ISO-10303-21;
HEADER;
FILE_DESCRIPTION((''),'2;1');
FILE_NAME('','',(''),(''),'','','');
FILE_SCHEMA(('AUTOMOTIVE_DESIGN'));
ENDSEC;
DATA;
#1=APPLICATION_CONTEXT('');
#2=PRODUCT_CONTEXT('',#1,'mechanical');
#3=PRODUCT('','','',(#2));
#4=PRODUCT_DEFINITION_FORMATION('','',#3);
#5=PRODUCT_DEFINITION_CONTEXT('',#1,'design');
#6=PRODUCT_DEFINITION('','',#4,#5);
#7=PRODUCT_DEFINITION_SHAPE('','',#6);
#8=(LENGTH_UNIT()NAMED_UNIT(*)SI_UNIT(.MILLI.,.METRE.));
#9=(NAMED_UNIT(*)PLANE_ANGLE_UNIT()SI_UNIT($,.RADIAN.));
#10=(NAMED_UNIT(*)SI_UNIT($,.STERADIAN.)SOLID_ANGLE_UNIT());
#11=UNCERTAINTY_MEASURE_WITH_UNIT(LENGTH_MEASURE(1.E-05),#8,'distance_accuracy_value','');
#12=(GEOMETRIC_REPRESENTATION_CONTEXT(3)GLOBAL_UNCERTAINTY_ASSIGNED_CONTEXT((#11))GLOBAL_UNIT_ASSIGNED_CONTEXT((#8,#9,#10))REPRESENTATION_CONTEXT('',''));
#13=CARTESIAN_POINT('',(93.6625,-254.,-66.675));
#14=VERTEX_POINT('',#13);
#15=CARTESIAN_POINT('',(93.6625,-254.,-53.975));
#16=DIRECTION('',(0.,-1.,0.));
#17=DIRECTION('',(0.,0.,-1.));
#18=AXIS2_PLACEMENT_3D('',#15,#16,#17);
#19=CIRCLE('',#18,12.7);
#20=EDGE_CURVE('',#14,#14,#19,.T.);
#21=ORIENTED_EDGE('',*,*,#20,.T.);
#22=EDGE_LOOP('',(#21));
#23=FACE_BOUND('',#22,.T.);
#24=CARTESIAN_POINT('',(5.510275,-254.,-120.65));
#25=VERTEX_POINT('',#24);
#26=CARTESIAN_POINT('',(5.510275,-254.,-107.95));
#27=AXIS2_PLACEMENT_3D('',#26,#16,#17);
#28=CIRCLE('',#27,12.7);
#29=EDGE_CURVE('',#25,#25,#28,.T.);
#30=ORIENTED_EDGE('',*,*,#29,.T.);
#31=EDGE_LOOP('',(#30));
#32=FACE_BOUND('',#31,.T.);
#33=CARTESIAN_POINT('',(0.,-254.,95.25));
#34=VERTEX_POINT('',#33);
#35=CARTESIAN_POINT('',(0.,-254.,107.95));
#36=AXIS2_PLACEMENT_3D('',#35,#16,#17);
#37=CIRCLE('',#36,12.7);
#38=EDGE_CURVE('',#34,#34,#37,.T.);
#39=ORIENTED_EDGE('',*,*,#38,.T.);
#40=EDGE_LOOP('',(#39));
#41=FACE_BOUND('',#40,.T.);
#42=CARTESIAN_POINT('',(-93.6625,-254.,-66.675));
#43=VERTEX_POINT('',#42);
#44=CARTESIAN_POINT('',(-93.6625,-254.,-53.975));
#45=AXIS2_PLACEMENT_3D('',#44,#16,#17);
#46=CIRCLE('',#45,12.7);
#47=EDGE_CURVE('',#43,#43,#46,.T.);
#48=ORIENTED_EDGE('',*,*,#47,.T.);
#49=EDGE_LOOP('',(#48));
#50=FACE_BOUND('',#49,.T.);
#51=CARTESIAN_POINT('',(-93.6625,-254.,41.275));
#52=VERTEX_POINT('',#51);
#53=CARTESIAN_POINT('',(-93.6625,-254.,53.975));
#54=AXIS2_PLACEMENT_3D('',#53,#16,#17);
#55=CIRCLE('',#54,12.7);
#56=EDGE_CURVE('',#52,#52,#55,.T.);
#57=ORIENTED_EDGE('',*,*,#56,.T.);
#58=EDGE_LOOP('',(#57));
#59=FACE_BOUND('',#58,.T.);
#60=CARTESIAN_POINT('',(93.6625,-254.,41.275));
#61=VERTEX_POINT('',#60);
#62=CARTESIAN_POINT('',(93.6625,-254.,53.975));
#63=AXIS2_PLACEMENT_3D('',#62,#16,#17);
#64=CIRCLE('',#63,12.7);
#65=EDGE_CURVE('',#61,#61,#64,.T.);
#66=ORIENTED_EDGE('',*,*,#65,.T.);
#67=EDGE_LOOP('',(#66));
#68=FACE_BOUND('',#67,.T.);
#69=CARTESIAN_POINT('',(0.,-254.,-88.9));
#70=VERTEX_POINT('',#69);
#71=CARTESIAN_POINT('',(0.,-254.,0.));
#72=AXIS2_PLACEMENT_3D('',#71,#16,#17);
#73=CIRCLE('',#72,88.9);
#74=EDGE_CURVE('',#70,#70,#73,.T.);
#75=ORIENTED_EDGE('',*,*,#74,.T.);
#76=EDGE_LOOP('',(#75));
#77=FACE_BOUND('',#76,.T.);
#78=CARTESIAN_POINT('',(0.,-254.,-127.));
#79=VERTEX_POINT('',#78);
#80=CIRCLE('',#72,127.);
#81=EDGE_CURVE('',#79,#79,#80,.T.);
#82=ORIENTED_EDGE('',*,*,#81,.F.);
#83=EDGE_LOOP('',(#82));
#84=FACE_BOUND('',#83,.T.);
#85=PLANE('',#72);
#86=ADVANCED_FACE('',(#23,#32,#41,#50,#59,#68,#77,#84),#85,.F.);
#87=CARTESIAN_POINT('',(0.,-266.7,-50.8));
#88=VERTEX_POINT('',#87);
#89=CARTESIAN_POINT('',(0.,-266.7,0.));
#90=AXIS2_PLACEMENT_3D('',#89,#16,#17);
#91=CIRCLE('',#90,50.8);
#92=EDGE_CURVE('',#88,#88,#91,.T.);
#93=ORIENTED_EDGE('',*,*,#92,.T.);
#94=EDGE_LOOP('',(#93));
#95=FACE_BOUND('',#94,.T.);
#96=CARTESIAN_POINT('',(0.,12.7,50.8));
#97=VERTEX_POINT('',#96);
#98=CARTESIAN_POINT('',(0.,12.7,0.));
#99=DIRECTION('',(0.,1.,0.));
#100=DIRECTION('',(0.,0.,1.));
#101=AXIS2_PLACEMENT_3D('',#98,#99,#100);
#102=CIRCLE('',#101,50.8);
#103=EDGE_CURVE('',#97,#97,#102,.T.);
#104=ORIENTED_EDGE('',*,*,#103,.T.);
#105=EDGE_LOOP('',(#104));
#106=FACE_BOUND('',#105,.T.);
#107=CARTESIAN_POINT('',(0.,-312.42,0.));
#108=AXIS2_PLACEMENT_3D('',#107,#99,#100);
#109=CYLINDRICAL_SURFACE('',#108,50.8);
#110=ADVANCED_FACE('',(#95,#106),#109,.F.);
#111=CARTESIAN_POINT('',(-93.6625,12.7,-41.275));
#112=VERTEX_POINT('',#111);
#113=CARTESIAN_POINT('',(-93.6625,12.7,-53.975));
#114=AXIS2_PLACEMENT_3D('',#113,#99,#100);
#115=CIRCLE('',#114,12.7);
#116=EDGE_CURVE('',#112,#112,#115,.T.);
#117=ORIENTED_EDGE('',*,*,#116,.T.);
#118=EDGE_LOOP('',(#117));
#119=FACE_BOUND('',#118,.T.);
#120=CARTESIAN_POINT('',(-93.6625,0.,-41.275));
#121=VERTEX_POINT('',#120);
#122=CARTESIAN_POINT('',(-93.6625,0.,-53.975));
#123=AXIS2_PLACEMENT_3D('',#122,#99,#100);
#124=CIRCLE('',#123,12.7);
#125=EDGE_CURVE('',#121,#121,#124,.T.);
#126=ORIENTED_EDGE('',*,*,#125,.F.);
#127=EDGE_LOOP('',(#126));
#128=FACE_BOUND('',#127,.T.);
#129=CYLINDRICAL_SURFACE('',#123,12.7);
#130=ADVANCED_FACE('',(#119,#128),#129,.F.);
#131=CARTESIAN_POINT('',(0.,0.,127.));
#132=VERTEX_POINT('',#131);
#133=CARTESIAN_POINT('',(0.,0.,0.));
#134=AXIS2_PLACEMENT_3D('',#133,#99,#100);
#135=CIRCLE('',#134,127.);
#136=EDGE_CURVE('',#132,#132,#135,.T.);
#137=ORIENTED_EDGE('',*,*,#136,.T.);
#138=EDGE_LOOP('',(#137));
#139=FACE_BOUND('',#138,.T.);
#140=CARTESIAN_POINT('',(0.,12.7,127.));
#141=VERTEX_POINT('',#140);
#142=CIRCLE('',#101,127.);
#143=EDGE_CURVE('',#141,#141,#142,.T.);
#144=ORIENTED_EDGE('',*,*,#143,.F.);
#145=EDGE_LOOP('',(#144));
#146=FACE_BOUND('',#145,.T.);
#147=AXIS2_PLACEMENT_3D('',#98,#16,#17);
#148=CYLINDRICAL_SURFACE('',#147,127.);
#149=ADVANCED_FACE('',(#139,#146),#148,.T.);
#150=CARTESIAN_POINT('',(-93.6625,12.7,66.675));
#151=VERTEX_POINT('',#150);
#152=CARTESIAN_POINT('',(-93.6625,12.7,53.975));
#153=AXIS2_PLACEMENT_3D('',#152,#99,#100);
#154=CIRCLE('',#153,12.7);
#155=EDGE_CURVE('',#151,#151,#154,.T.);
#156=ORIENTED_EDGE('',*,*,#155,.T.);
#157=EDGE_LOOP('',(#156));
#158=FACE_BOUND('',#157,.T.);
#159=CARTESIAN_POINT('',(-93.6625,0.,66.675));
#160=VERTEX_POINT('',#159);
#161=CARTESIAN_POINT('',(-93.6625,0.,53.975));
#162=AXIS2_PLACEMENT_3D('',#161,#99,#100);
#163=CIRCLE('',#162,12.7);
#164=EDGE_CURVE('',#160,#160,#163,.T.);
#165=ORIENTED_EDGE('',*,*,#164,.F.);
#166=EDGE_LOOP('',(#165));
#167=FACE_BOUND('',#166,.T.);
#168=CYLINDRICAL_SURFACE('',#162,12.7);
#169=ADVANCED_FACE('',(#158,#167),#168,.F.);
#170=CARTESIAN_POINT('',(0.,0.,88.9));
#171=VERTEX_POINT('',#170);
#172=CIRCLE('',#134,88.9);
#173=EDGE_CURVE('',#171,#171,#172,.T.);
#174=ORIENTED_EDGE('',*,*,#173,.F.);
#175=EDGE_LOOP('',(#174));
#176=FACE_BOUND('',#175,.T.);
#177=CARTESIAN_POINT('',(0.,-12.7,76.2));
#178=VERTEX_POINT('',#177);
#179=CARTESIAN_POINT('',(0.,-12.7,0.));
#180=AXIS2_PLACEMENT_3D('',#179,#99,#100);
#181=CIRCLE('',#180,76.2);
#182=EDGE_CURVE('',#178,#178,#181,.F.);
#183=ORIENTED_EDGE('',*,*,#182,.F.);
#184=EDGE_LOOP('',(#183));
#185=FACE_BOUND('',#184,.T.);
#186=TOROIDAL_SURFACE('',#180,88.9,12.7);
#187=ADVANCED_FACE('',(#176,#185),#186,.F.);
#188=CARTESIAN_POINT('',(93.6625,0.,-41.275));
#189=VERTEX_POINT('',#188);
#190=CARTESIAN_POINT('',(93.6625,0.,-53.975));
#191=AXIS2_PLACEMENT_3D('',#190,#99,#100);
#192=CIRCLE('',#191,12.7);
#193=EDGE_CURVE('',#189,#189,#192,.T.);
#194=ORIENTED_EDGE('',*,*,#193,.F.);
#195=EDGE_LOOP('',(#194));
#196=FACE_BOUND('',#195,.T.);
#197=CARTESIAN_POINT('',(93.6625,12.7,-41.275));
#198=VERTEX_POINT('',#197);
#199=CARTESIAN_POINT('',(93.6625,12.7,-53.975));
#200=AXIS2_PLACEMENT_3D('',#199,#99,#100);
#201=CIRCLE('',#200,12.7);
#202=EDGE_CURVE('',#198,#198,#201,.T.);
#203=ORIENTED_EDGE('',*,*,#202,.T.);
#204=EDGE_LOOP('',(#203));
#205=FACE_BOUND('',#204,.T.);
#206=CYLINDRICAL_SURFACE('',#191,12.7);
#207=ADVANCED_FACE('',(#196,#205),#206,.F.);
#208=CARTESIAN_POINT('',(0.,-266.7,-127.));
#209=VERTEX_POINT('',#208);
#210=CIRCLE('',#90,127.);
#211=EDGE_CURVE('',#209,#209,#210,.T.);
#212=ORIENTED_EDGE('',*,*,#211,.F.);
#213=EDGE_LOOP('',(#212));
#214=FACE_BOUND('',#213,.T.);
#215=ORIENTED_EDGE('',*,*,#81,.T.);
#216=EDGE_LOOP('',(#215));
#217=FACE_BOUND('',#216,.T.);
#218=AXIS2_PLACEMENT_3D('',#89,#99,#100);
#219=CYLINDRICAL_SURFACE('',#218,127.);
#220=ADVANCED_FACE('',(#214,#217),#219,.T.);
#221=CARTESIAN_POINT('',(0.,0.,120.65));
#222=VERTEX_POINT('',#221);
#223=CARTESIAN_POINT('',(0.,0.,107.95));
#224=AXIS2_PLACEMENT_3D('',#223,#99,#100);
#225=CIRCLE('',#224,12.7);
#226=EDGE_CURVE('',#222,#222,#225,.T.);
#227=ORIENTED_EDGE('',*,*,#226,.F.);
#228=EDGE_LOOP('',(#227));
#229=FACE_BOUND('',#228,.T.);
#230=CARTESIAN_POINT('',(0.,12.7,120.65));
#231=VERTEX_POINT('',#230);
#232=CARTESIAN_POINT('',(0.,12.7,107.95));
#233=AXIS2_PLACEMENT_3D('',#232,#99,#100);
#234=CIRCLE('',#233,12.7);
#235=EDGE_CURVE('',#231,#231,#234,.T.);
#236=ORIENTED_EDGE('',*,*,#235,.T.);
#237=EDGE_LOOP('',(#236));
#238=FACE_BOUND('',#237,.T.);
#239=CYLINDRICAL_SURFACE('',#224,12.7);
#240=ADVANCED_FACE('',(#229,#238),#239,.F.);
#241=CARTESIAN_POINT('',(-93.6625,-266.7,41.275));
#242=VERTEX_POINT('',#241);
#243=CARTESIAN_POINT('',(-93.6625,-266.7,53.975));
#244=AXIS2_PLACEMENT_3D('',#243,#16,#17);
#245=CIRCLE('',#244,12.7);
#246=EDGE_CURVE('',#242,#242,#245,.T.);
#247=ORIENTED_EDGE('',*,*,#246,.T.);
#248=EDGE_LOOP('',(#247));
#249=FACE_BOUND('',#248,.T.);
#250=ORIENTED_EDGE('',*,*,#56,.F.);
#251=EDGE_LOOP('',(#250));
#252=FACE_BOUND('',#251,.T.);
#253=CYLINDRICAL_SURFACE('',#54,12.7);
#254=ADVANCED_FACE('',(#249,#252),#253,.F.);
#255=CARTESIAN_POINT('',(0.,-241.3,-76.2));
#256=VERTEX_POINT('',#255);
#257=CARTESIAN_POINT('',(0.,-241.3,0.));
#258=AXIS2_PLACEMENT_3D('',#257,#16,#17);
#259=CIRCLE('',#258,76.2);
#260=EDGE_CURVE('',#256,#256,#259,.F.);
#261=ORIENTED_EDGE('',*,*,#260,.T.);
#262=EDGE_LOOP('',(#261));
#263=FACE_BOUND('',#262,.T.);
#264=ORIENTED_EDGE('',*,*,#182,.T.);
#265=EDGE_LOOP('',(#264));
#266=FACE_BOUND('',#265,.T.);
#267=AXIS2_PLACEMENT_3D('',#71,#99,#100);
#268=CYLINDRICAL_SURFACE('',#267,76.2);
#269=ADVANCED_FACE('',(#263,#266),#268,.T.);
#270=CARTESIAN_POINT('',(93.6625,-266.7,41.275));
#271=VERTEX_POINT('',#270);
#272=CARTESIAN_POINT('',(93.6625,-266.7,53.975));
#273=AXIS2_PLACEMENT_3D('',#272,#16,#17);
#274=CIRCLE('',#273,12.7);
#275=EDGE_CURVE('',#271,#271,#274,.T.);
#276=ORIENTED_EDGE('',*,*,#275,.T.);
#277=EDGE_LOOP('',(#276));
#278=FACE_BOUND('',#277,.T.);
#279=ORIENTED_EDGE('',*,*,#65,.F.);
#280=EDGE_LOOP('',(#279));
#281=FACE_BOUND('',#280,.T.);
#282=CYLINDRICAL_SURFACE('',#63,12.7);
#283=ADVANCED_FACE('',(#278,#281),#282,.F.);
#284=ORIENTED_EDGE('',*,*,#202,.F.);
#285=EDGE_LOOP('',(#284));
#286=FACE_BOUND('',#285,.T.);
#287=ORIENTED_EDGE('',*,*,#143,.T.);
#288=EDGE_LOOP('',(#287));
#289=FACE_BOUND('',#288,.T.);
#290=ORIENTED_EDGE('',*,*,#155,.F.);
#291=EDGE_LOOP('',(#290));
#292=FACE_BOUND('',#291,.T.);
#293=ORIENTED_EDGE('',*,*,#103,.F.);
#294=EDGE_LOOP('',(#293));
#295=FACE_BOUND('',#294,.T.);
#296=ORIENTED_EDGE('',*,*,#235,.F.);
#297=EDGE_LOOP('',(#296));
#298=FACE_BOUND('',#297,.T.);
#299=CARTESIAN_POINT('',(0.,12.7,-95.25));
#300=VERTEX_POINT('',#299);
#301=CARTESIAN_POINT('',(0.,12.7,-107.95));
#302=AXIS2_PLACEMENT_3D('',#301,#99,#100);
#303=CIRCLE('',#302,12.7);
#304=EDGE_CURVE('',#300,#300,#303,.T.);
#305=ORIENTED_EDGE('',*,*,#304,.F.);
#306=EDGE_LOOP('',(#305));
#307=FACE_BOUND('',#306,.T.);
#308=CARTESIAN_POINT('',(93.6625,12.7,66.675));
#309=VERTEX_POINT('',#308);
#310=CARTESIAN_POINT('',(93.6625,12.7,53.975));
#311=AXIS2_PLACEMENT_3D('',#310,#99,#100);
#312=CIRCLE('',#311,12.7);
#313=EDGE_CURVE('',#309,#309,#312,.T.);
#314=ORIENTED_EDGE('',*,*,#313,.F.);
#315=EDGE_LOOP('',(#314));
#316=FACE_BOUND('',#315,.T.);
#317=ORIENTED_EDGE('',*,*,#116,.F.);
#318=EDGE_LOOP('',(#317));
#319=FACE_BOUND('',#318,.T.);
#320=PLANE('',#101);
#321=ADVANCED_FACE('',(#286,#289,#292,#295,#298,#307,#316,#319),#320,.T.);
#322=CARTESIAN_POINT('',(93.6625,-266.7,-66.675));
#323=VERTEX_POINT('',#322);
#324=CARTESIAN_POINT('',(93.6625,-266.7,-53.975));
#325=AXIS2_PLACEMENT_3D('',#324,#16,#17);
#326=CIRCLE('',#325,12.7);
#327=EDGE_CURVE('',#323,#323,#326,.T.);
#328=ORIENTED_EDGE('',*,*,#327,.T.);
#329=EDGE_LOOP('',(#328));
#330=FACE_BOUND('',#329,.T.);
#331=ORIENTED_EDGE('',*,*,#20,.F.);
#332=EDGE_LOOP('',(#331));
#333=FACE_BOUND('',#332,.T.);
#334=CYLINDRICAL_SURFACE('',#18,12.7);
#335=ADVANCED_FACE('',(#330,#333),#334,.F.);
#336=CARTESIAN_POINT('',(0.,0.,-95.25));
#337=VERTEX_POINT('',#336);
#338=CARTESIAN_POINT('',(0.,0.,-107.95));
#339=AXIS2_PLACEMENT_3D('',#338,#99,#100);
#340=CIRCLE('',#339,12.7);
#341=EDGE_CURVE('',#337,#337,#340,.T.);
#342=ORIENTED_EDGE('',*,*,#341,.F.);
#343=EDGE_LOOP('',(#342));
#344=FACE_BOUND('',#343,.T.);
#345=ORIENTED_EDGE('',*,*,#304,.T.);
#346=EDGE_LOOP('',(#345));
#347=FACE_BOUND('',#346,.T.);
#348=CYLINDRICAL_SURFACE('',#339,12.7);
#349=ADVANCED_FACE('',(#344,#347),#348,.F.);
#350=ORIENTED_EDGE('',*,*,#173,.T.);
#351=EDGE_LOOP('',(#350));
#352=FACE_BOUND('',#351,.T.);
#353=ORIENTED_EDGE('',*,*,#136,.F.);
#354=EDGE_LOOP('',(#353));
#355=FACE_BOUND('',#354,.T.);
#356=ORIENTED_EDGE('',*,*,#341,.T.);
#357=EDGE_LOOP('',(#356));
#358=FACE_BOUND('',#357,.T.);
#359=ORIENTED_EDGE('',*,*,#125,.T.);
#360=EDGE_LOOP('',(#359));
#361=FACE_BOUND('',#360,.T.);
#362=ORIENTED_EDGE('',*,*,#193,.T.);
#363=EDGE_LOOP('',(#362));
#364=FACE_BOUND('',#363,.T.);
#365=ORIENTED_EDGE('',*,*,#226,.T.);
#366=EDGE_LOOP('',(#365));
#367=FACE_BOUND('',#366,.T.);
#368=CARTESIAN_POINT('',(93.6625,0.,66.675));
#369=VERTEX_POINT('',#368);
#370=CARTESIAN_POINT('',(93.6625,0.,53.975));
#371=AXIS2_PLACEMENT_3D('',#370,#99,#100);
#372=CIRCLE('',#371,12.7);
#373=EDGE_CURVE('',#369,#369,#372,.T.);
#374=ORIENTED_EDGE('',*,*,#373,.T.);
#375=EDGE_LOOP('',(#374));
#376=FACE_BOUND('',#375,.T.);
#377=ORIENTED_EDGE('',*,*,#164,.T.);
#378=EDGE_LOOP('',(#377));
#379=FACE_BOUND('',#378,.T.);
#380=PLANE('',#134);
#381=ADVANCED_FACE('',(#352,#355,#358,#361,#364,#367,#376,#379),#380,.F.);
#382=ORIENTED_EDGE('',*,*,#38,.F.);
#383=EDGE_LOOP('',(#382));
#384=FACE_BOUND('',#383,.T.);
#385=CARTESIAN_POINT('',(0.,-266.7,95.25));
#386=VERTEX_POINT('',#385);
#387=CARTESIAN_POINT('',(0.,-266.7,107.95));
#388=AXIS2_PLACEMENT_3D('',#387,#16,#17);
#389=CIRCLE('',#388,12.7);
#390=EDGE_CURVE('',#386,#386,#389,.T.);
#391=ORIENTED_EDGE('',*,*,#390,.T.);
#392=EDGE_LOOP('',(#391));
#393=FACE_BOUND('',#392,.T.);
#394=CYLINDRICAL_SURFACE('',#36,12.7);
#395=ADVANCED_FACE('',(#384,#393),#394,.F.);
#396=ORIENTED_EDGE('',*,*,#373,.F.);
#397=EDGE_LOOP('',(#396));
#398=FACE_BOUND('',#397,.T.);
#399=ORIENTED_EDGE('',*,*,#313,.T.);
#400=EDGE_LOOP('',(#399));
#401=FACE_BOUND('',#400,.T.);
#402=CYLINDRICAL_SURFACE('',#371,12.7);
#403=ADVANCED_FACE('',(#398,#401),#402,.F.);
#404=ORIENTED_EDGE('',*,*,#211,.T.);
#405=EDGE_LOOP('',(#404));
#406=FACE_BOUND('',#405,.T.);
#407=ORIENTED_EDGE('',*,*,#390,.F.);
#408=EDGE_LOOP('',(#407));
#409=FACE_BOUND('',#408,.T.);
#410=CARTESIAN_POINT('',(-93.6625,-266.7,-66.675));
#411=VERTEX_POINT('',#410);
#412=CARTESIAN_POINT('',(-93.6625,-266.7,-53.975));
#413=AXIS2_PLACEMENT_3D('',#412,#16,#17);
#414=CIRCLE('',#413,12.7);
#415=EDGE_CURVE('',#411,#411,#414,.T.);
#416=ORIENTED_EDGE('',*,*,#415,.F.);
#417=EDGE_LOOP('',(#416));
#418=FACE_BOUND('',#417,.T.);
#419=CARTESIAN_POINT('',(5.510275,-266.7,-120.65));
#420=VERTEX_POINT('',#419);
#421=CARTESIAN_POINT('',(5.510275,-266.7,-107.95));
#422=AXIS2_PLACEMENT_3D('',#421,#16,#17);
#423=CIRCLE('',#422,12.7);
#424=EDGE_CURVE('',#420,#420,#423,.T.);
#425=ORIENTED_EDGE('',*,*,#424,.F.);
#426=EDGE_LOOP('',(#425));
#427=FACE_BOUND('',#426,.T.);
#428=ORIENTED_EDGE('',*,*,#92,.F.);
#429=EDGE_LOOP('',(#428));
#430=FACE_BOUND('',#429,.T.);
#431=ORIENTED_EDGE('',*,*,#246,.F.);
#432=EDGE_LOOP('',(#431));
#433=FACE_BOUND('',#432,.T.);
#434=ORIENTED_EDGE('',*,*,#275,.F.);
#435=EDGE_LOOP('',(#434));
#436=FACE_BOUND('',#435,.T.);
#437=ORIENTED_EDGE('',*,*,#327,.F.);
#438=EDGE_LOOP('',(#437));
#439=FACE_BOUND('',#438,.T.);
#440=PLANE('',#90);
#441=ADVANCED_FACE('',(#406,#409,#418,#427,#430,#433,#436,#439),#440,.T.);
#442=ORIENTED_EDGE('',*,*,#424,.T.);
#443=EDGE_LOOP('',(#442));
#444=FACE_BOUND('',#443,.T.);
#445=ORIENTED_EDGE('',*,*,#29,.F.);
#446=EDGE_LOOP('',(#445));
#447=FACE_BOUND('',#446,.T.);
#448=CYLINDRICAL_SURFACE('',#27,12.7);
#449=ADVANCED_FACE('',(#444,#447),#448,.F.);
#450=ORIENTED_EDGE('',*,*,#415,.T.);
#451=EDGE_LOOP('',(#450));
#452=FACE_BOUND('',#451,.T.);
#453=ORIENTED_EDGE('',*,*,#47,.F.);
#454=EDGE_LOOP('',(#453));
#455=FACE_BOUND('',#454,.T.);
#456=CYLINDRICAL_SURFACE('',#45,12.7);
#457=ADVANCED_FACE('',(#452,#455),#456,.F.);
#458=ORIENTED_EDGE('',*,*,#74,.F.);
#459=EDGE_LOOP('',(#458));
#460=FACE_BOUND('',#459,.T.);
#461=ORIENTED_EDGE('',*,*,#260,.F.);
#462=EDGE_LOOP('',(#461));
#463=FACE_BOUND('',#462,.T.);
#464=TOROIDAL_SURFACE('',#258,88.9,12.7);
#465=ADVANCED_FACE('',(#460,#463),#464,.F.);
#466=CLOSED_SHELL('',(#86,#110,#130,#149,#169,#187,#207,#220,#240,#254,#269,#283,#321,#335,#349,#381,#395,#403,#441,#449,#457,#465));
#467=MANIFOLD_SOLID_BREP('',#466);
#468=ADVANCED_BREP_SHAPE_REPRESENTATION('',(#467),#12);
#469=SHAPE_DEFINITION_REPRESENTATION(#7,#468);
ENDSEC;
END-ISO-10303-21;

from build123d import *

# Parameters (mm, degrees)
SKETCH1_R           = 127
BOSS_EXTRUDE1_DEPTH = 12.7
SKETCH2_R           = 12.7
CUT_EXTRUDE1_DEPTH  = 12.7
SKETCH3_R           = 76.2
BOSS_EXTRUDE2_DEPTH = 254
BOSS_EXTRUDE3_START = 12.7
SKETCH4_R           = 127
BOSS_EXTRUDE3_DEPTH = 12.7
CUT_EXTRUDE2_START  = -12.7
SKETCH5_R           = 12.7
CUT_EXTRUDE2_DEPTH  = 12.7
FILLET1_R           = 12.7
SKETCH6_R           = 50.8
CUT_EXTRUDE3_DEPTH  = 325.12


with BuildPart() as part:
    # Sketch1 → Boss-Extrude1 (new body)
    with BuildSketch(Plane(origin=(0, 0, 0), x_dir=(1, 0, 0), z_dir=(0, 1, 0))):
        with Locations(Location((0, 0, 0), (0, 0, 270))):
            Circle(SKETCH1_R)
    extrude(amount=BOSS_EXTRUDE1_DEPTH)

    # Sketch2 → Cut-Extrude1 (cut)
    with BuildSketch(Plane(origin=(0, 12.7, 0), x_dir=(1, 0, 0), z_dir=(0, 1, 0))):
        with Locations(Location((0, 107.95, 0), (0, 0, 270))):
            Circle(SKETCH2_R)
        with Locations(Location((0, -107.95, 0), (0, 0, 270))):
            Circle(SKETCH2_R)
        with Locations(Location((-93.6625, 53.975, 0), (0, 0, 270))):
            Circle(SKETCH2_R)
        with Locations(Location((93.6625, 53.975, 0), (0, 0, 270))):
            Circle(SKETCH2_R)
        with Locations(Location((-93.6625, -53.975, 0), (0, 0, 270))):
            Circle(SKETCH2_R)
        with Locations(Location((93.6625, -53.975, 0), (0, 0, 270))):
            Circle(SKETCH2_R)
    extrude(amount=-CUT_EXTRUDE1_DEPTH, mode=Mode.SUBTRACT)

    # Sketch3 → Boss-Extrude2 (add)
    with BuildSketch(Plane.XZ):
        with Locations(Location((0, 0, 0), (0, 0, 90))):
            Circle(SKETCH3_R)
    extrude(amount=BOSS_EXTRUDE2_DEPTH)

    # Sketch4 → Boss-Extrude3 (add)
    with BuildSketch(Plane.XZ.offset(254).offset(BOSS_EXTRUDE3_START)):
        with Locations(Location((0, 0, 0), (0, 0, 90))):
            Circle(SKETCH4_R)
    extrude(amount=-BOSS_EXTRUDE3_DEPTH)

    # Sketch5 → Cut-Extrude2 (cut)
    with BuildSketch(Plane.XZ.offset(266.7).offset(CUT_EXTRUDE2_START)):
        with Locations(Location((0, 107.95, 0), (0, 0, 90))):
            Circle(SKETCH5_R)
        with Locations(Location((5.510274908, -107.95, 0), (0, 0, 270))):
            Circle(SKETCH5_R)
        with Locations(Location((-93.6625, 53.975, 0), (0, 0, 90))):
            Circle(SKETCH5_R)
        with Locations(Location((93.6625, 53.975, 0), (0, 0, 90))):
            Circle(SKETCH5_R)
        with Locations(Location((-93.6625, -53.975, 0), (0, 0, 90))):
            Circle(SKETCH5_R)
        with Locations(Location((93.6625, -53.975, 0), (0, 0, 90))):
            Circle(SKETCH5_R)
    extrude(amount=CUT_EXTRUDE2_DEPTH, mode=Mode.SUBTRACT)

    # Fillet1
    fillet1_edges = [part.edges().sort_by_distance(p)[0] for p in [
        (0, 0, -76.2),
        (0, -254, -76.2),
    ]]
    fillet(fillet1_edges, radius=FILLET1_R)

    # Sketch6 → Cut-Extrude3 (cut)
    with BuildSketch(Plane(origin=(0, 12.7, 0), x_dir=(1, 0, 0), z_dir=(0, 1, 0))):
        with Locations(Location((0, 0, 0), (0, 0, 270))):
            Circle(SKETCH6_R)
    extrude(amount=-CUT_EXTRUDE3_DEPTH, mode=Mode.SUBTRACT)


solid = part.part
